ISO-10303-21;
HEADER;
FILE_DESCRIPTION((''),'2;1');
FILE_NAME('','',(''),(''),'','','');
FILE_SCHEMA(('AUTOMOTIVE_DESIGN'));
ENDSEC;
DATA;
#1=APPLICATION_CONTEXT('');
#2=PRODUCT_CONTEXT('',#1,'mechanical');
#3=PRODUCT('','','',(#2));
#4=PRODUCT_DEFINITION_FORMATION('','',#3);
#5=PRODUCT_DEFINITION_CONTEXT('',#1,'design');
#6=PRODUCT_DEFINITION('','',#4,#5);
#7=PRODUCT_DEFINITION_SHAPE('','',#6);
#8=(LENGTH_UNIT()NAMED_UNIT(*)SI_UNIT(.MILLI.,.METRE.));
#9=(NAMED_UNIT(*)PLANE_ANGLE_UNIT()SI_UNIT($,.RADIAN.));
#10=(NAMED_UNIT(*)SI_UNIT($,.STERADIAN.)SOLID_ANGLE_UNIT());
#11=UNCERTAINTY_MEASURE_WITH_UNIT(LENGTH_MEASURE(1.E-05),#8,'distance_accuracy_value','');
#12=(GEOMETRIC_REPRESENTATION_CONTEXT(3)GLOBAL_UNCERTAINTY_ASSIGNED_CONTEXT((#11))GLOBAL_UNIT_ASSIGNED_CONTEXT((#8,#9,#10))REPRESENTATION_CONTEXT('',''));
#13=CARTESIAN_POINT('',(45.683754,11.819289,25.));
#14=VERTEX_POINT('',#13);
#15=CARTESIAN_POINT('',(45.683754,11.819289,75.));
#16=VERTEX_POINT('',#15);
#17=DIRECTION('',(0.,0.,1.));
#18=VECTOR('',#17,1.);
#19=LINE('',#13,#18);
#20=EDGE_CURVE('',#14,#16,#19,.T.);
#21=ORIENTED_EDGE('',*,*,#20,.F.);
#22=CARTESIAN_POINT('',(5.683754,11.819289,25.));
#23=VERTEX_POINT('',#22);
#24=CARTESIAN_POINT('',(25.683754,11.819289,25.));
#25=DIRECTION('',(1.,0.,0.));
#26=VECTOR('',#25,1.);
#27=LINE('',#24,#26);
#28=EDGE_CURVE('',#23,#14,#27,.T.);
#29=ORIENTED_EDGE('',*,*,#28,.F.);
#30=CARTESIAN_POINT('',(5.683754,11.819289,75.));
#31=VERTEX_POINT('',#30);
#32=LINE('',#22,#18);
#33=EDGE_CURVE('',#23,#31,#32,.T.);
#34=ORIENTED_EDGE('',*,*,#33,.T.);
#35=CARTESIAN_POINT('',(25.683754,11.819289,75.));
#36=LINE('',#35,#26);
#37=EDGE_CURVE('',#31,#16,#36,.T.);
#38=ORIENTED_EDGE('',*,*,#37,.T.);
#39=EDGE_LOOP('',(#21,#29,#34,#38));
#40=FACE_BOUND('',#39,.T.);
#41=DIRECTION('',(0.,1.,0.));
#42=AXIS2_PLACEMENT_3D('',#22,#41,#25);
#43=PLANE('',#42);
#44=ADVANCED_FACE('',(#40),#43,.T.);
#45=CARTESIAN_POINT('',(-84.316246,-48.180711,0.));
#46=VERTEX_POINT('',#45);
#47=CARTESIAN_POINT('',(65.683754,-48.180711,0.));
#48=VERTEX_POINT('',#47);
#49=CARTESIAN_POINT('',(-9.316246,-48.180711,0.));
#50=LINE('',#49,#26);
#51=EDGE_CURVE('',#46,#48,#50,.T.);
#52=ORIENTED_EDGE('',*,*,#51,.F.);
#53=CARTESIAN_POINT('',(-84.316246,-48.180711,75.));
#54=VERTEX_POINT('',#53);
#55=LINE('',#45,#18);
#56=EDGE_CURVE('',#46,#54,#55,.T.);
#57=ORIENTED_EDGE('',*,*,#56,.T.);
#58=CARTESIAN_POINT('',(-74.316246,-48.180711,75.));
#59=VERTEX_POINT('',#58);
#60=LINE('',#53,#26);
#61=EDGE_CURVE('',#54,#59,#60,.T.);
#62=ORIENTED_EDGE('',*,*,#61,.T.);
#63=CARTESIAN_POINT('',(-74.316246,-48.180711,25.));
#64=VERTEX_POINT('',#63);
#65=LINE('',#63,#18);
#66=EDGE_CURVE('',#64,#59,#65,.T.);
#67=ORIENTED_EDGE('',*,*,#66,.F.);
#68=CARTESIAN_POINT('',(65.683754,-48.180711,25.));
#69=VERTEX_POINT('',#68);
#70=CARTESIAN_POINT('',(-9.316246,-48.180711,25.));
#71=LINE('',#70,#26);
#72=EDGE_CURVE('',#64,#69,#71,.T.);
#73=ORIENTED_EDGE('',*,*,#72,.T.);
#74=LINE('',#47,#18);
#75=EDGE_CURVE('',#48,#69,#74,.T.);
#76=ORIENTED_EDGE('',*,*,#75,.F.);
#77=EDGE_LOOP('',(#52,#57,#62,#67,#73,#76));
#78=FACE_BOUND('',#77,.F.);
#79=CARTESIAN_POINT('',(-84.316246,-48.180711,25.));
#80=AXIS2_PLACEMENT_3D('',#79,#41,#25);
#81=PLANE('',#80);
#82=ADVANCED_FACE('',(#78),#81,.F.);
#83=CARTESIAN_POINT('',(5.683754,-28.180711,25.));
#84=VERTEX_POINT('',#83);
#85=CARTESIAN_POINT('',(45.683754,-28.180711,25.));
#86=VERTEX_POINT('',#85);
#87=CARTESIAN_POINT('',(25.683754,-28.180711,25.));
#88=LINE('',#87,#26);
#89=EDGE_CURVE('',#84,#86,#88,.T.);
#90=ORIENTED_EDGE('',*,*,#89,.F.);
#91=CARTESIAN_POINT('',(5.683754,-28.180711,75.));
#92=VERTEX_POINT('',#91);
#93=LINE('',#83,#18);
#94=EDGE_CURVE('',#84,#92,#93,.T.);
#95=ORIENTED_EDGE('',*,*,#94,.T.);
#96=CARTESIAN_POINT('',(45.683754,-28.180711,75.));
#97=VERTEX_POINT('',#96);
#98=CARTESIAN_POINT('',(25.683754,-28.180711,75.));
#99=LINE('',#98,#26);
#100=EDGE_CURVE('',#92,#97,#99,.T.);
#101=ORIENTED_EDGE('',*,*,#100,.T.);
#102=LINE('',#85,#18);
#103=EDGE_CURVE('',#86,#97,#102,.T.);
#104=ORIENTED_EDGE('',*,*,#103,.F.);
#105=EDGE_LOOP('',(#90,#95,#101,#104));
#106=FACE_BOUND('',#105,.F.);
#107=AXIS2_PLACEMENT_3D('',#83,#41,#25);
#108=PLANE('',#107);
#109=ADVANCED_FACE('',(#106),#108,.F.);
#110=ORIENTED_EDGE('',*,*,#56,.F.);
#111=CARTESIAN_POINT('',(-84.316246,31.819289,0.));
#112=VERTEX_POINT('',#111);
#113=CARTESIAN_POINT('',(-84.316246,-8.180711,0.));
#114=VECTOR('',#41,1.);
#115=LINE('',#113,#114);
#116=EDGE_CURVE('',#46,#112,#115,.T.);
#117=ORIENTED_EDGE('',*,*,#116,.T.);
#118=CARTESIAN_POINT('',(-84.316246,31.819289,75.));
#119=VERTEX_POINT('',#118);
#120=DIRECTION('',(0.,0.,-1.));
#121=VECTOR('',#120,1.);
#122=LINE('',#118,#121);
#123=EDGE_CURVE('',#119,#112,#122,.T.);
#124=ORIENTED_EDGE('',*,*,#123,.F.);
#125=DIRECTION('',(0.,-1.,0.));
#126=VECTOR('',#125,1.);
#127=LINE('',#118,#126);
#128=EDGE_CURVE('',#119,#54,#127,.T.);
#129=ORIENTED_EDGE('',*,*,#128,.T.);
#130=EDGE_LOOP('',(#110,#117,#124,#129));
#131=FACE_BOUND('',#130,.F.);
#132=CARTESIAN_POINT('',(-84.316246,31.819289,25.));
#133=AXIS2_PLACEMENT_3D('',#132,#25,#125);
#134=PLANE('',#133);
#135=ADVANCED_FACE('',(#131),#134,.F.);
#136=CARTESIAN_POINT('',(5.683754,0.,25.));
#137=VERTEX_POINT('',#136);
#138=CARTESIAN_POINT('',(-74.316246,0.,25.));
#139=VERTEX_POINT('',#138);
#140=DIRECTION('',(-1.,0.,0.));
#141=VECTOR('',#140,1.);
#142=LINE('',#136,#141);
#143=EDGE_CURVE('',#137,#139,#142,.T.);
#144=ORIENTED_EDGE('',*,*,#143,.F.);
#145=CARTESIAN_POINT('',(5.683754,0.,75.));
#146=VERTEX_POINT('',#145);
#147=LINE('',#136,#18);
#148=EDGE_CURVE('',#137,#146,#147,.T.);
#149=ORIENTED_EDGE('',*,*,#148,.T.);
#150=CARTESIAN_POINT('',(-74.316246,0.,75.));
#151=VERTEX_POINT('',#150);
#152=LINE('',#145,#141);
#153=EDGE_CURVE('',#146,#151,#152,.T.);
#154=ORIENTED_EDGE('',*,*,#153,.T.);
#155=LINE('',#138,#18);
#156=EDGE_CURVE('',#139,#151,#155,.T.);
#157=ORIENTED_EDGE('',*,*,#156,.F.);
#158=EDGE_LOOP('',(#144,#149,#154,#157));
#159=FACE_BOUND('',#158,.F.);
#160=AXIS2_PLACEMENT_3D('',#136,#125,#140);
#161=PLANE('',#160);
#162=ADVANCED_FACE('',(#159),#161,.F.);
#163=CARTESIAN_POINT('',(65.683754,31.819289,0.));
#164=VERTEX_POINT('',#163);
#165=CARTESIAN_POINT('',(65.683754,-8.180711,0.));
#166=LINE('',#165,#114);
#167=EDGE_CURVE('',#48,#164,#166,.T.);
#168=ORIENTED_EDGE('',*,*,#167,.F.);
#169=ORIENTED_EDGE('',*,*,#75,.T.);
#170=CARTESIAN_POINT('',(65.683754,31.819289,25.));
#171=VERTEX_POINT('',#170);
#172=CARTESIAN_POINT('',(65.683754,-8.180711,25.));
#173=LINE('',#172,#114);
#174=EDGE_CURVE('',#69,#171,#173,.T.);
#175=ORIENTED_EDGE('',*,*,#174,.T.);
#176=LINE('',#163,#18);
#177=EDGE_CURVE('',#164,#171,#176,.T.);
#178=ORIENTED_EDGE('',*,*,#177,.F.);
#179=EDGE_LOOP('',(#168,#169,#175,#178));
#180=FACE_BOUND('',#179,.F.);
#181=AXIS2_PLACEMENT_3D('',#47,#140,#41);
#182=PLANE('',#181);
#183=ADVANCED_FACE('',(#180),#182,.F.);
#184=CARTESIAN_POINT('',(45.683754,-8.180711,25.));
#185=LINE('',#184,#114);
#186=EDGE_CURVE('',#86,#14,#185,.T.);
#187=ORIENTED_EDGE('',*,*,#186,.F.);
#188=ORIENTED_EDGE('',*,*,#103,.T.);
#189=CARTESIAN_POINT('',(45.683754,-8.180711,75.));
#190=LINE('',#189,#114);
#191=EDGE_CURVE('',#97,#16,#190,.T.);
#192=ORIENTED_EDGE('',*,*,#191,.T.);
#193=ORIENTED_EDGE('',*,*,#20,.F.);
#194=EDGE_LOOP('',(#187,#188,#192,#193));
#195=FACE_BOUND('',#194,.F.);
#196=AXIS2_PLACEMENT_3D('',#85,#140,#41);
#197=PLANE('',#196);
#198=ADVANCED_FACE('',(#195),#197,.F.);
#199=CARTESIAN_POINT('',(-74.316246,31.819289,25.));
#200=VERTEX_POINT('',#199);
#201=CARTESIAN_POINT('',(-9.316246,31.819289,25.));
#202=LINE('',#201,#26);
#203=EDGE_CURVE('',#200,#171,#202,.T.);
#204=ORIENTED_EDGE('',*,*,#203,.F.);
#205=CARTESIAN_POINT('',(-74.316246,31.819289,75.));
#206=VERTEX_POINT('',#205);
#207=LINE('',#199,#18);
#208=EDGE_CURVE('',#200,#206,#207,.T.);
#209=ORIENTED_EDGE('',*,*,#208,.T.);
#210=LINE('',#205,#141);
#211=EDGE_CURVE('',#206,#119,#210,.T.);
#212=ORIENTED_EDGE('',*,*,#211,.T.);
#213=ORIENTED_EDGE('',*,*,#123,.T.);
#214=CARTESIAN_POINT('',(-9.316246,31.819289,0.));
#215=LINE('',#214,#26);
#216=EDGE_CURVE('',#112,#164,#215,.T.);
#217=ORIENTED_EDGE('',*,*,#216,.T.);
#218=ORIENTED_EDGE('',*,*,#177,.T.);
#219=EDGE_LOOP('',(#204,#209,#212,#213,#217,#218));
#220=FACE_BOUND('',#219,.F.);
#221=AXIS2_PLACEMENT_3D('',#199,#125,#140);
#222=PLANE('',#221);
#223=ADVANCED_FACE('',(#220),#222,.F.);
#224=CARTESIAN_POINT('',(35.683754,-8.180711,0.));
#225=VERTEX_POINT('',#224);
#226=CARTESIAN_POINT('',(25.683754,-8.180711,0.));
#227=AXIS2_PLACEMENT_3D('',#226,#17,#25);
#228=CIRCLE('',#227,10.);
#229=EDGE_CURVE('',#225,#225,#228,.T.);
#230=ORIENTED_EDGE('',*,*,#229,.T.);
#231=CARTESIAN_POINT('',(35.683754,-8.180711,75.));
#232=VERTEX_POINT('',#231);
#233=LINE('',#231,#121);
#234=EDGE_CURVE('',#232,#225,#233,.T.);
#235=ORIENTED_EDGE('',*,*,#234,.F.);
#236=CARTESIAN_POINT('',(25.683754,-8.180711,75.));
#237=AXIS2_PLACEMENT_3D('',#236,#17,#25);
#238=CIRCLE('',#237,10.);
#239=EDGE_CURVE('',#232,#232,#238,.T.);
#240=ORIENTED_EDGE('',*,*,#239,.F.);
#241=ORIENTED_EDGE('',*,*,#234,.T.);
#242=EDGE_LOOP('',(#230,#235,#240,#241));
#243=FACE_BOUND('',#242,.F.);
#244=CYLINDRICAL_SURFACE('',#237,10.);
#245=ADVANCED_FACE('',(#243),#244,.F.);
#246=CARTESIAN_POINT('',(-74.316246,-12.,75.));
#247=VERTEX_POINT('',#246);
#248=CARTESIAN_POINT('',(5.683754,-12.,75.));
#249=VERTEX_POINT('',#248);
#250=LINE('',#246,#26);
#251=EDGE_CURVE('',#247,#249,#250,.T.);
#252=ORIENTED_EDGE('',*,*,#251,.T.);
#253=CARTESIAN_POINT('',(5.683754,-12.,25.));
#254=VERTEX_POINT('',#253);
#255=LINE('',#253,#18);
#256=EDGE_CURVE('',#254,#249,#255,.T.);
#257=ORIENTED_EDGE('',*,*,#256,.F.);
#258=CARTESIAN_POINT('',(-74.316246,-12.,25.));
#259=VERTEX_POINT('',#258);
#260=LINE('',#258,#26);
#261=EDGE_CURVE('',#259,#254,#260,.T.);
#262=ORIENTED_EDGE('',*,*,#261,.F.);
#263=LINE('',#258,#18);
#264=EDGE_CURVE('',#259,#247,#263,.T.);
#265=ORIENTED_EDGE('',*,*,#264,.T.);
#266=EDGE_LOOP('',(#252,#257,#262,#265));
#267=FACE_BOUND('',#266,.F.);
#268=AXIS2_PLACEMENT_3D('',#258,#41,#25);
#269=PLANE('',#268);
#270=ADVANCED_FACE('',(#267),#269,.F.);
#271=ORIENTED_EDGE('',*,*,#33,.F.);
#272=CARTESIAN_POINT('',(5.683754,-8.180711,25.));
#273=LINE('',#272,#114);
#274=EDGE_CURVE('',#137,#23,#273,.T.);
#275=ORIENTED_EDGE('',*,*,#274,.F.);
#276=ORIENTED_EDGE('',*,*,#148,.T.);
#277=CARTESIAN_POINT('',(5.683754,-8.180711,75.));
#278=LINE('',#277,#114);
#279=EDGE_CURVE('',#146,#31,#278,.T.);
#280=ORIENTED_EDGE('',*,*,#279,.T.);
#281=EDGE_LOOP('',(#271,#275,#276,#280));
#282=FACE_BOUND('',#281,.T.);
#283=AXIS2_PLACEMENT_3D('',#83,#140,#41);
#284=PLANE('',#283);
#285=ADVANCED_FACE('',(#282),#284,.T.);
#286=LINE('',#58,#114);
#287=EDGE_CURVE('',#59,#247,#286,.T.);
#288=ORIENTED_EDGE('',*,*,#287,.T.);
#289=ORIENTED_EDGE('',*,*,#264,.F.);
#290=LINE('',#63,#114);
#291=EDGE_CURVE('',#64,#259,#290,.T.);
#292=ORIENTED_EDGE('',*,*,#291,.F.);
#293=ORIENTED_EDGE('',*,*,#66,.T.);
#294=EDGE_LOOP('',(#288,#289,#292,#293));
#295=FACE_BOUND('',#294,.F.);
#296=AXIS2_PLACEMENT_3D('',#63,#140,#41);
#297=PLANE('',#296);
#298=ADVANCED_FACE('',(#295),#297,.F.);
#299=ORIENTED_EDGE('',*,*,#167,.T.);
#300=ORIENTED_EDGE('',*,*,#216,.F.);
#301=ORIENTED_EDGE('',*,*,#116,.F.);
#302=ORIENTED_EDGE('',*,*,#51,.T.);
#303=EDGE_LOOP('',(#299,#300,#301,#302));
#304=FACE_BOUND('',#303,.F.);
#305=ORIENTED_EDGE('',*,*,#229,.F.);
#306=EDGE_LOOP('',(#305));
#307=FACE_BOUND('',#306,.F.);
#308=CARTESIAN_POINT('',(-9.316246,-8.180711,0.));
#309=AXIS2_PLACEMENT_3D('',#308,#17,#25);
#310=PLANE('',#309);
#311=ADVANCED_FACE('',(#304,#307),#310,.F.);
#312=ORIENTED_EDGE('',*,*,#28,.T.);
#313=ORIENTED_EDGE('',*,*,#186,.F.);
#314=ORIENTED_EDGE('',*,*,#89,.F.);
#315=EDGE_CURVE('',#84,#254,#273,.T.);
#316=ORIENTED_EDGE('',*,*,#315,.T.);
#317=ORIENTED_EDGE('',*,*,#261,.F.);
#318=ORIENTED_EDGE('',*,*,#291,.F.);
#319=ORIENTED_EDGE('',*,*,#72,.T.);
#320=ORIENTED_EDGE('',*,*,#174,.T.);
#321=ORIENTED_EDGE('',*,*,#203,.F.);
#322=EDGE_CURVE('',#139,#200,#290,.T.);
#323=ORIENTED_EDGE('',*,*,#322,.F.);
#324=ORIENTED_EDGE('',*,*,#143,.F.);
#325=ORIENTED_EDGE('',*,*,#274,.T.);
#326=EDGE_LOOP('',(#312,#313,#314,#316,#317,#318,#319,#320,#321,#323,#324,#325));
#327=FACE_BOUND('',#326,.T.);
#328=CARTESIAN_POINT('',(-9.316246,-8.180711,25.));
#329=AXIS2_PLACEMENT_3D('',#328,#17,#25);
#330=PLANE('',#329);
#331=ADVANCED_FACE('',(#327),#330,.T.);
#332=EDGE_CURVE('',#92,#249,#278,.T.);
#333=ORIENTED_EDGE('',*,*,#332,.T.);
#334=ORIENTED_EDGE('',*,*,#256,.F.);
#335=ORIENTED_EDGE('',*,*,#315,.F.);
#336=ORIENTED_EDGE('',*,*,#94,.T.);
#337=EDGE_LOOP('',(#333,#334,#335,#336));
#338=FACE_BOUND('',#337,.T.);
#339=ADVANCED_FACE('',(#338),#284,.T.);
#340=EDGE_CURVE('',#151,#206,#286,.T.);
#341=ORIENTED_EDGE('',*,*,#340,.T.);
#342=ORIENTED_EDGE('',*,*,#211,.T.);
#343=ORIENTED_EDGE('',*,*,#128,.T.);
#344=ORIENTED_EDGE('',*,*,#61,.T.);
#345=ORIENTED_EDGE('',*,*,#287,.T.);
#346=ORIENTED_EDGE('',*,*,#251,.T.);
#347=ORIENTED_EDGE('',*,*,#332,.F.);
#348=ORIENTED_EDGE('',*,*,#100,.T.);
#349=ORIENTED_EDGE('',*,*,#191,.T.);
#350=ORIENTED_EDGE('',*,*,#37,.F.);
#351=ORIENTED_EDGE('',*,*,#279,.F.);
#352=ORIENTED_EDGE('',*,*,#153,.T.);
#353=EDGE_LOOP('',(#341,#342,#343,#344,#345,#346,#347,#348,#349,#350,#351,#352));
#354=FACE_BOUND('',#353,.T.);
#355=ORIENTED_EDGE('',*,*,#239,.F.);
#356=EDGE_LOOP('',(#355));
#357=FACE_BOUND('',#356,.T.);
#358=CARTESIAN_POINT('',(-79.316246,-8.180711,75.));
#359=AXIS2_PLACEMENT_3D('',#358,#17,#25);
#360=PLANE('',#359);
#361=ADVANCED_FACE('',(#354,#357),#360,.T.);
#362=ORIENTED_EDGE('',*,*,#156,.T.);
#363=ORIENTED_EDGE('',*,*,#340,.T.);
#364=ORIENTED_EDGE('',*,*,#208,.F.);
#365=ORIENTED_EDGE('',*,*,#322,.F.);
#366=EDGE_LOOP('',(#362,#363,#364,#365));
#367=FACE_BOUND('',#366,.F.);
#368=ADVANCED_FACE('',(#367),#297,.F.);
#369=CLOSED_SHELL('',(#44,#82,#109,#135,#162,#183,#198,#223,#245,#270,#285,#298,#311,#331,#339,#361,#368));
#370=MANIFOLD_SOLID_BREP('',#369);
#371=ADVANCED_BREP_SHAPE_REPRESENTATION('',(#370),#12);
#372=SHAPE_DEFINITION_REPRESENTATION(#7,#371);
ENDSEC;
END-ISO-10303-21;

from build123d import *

# Parameters (mm, degrees)
F0_W     = 150
F0_H     = 80
F1_DEPTH = 25
F2_W     = 40
F2_H     = 40
F3_DEPTH = 50
F4_R     = 10
F5_DEPTH = 75
F7_DEPTH = 50
F9_DEPTH = 50


with BuildPart() as f1:
    # F0 (on Top) → F1 (new body)
    with BuildSketch(Plane.XY):
        with Locations((-9.3162462115, -8.1807105243)):
            Rectangle(F0_W, F0_H)
    extrude(amount=F1_DEPTH)

    # F2 (on face) → F3 (join)
    with BuildSketch(Plane.XY.offset(25)):
        with Locations((25.6837537885, -8.1807105243)):
            Rectangle(F2_W, F2_H)
    extrude(amount=F3_DEPTH)

    # F4 (on face) → F5 (cut)
    with BuildSketch(Plane.XY.offset(75)):
        with Locations((25.6837537885, -8.1807105243)):
            Circle(F4_R)
    extrude(amount=-F5_DEPTH, mode=Mode.SUBTRACT)

    # F6 (on face) → F7 (join)
    with BuildSketch(Plane.XY.offset(25)):
        Polygon((5.6837537885, 0), (-74.3162462115, 0), (-74.3162462115, -12), (5.6837537885, -12), (5.6837537885, -8.1807105243), align=None)
    extrude(amount=F7_DEPTH)

    # F8 (on face) → F9 (join)
    with BuildSketch(Plane.XY.offset(25)):
        Polygon((-84.3162462115, 31.8192894757), (-84.3162462115, -48.1807105243), (-74.3162462115, -48.1807105243), (-74.3162462115, -12), (-74.3162462115, 0), (-74.3162462115, 31.8192894757), align=None)
    extrude(amount=F9_DEPTH)


solid = f1.part
